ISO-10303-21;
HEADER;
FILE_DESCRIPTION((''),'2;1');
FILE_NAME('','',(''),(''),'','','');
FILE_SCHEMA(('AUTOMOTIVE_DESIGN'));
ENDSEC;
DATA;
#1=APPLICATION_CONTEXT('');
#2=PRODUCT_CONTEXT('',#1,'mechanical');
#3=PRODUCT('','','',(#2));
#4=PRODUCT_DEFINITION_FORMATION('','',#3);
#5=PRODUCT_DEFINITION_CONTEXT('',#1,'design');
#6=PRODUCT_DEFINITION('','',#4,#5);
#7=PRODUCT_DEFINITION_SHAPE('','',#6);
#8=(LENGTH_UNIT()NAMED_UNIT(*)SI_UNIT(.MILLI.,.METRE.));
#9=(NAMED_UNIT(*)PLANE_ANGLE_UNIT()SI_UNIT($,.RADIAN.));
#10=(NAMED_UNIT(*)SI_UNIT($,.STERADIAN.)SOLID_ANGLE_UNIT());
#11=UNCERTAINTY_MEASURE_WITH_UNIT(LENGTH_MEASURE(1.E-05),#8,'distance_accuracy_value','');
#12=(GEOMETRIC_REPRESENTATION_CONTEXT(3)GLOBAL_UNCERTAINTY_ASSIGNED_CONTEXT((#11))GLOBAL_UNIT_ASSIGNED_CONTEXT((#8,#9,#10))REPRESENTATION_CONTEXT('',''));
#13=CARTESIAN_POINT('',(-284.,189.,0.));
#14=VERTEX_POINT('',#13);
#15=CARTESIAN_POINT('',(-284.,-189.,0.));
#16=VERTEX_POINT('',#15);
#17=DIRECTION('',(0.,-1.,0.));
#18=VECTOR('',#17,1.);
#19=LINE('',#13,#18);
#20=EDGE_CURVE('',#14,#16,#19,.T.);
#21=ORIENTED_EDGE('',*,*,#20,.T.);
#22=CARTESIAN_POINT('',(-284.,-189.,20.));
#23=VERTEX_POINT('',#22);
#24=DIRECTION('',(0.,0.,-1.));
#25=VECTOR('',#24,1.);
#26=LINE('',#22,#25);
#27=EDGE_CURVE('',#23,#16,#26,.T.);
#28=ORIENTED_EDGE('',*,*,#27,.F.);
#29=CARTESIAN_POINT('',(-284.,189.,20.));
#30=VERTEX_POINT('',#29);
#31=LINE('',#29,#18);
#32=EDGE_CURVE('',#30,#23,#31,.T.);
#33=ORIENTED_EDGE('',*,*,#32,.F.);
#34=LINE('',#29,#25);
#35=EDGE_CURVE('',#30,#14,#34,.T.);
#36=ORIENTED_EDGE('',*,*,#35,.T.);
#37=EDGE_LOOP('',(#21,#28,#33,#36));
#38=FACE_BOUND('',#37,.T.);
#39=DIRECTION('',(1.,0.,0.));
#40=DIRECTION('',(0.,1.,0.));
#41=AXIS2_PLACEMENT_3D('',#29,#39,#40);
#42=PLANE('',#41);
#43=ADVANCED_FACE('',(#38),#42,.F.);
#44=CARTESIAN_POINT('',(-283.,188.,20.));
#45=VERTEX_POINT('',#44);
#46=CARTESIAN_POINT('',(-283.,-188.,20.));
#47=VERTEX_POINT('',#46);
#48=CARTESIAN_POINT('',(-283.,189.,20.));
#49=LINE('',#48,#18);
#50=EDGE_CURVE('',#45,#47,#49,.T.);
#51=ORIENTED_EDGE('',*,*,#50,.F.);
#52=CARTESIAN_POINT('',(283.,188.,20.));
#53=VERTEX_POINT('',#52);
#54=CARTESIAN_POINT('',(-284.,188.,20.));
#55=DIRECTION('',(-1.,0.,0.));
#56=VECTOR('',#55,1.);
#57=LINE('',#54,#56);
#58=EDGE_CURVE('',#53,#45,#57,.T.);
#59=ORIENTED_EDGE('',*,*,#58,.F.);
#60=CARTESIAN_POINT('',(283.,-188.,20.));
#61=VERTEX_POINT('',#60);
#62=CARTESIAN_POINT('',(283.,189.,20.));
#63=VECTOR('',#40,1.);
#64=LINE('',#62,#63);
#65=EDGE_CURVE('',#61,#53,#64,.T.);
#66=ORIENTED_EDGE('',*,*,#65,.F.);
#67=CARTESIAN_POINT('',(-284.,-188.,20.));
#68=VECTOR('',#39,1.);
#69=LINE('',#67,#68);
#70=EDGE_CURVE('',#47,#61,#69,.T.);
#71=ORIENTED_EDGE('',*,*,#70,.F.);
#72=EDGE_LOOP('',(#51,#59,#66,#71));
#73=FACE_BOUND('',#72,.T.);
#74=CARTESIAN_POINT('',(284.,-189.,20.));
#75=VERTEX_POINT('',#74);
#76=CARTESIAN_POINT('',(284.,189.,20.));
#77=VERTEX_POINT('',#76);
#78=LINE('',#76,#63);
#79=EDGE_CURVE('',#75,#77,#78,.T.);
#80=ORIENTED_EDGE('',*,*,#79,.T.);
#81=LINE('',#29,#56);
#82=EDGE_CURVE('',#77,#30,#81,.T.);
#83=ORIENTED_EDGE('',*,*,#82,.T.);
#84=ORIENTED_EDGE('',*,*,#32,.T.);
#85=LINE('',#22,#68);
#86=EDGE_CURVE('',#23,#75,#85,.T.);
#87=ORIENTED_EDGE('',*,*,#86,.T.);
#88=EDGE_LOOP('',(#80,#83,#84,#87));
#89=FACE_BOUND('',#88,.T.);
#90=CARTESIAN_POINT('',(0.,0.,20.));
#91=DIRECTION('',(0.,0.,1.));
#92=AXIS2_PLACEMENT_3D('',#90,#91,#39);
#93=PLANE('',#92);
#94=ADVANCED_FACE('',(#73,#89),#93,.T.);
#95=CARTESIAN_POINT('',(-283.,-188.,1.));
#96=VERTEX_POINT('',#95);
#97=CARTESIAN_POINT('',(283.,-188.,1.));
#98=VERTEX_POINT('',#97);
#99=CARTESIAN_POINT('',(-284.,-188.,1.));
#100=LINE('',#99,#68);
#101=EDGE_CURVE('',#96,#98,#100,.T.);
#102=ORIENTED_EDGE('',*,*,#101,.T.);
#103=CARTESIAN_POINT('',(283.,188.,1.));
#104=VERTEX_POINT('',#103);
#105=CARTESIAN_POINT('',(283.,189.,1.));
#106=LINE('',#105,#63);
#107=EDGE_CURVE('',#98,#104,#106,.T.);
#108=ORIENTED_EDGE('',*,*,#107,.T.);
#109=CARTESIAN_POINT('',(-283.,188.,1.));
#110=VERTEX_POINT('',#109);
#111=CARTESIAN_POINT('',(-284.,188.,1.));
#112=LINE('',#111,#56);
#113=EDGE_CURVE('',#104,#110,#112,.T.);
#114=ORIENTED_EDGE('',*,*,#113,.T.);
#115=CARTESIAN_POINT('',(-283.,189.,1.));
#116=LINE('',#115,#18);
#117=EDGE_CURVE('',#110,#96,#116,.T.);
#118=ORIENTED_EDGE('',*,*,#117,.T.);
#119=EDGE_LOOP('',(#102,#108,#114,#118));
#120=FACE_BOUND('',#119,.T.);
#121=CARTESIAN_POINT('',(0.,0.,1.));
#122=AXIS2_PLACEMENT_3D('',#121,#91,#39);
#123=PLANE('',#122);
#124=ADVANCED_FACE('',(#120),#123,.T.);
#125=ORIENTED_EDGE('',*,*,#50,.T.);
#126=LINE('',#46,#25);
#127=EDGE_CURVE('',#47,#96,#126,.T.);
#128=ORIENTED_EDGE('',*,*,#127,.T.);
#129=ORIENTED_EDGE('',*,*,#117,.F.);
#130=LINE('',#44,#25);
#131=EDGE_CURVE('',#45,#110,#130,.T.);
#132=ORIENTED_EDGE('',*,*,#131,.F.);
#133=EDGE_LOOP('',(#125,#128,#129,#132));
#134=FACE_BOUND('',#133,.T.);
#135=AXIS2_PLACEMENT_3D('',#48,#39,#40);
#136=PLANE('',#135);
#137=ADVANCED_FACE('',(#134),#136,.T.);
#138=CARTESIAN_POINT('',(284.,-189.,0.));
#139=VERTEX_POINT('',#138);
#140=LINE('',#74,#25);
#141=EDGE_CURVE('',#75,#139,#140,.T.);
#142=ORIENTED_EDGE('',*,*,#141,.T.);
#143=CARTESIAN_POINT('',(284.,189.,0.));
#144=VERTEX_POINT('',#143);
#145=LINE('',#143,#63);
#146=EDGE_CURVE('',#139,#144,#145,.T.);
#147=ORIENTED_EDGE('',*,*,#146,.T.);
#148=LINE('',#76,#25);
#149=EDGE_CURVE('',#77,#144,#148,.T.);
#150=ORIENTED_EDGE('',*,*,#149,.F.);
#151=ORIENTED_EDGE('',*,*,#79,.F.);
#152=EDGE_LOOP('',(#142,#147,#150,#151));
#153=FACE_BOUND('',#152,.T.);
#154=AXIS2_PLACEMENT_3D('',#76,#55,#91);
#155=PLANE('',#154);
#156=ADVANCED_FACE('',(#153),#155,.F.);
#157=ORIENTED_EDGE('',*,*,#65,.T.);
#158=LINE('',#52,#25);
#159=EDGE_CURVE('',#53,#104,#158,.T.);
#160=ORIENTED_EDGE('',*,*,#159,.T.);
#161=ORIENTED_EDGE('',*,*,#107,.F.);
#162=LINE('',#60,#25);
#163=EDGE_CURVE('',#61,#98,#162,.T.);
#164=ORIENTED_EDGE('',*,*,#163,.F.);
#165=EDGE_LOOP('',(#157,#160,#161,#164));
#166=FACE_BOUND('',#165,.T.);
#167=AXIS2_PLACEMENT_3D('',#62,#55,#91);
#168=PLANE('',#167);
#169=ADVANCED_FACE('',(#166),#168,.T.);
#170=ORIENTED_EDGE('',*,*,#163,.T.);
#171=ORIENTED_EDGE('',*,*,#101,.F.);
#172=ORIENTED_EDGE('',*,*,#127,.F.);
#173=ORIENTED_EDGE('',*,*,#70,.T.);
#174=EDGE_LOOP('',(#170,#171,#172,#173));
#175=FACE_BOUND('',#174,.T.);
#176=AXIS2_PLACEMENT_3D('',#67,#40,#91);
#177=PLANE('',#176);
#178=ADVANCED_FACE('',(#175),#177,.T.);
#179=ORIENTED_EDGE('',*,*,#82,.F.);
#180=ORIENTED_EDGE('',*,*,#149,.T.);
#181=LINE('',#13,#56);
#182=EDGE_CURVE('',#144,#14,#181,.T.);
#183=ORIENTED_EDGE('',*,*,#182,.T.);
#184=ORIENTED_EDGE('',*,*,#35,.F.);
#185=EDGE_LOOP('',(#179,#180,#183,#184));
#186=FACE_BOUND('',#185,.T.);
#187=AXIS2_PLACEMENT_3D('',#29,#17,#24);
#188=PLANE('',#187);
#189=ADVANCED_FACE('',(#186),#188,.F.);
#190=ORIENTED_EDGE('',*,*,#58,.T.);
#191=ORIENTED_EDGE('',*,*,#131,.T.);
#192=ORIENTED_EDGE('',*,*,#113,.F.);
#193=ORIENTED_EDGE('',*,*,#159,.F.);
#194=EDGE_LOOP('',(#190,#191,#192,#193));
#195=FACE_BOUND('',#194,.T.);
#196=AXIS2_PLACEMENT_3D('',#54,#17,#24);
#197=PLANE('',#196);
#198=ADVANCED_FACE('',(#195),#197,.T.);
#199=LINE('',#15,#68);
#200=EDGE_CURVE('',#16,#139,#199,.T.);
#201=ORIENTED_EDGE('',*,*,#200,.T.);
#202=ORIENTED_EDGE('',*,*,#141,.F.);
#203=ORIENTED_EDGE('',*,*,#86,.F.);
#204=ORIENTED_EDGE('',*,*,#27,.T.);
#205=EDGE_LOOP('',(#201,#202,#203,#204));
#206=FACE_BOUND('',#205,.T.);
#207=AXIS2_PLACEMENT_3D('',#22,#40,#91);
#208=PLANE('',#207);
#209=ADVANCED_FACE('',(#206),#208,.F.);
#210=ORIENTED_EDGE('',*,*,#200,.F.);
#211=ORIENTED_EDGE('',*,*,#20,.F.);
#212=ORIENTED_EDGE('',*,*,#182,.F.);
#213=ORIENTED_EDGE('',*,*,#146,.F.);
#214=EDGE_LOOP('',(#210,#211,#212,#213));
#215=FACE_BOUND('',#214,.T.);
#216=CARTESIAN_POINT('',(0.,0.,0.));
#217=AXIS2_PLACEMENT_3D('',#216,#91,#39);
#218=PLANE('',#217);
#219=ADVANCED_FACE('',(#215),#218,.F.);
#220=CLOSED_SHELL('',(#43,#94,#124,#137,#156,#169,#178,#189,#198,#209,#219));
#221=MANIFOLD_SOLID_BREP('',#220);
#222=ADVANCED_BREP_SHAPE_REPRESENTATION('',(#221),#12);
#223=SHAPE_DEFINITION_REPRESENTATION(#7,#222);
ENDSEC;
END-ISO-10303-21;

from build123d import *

# Parameters (mm, degrees)
SKETCH_1_W      = 568
SKETCH_1_H      = 378
EXTRUDE_1_DEPTH = 20
SHELL_1_T       = -1


with BuildPart() as part:
    # 草图1 → 凸台-拉伸1 (new body)
    with BuildSketch(Plane.XY):
        Rectangle(SKETCH_1_W, SKETCH_1_H)
    extrude(amount=EXTRUDE_1_DEPTH)

    # 抽壳1
    shell_1_openings = [part.faces().sort_by_distance(p)[0] for p in [
        (0, 0, 20),
    ]]
    offset(amount=SHELL_1_T, openings=shell_1_openings, kind=Kind.INTERSECTION)


solid = part.part
